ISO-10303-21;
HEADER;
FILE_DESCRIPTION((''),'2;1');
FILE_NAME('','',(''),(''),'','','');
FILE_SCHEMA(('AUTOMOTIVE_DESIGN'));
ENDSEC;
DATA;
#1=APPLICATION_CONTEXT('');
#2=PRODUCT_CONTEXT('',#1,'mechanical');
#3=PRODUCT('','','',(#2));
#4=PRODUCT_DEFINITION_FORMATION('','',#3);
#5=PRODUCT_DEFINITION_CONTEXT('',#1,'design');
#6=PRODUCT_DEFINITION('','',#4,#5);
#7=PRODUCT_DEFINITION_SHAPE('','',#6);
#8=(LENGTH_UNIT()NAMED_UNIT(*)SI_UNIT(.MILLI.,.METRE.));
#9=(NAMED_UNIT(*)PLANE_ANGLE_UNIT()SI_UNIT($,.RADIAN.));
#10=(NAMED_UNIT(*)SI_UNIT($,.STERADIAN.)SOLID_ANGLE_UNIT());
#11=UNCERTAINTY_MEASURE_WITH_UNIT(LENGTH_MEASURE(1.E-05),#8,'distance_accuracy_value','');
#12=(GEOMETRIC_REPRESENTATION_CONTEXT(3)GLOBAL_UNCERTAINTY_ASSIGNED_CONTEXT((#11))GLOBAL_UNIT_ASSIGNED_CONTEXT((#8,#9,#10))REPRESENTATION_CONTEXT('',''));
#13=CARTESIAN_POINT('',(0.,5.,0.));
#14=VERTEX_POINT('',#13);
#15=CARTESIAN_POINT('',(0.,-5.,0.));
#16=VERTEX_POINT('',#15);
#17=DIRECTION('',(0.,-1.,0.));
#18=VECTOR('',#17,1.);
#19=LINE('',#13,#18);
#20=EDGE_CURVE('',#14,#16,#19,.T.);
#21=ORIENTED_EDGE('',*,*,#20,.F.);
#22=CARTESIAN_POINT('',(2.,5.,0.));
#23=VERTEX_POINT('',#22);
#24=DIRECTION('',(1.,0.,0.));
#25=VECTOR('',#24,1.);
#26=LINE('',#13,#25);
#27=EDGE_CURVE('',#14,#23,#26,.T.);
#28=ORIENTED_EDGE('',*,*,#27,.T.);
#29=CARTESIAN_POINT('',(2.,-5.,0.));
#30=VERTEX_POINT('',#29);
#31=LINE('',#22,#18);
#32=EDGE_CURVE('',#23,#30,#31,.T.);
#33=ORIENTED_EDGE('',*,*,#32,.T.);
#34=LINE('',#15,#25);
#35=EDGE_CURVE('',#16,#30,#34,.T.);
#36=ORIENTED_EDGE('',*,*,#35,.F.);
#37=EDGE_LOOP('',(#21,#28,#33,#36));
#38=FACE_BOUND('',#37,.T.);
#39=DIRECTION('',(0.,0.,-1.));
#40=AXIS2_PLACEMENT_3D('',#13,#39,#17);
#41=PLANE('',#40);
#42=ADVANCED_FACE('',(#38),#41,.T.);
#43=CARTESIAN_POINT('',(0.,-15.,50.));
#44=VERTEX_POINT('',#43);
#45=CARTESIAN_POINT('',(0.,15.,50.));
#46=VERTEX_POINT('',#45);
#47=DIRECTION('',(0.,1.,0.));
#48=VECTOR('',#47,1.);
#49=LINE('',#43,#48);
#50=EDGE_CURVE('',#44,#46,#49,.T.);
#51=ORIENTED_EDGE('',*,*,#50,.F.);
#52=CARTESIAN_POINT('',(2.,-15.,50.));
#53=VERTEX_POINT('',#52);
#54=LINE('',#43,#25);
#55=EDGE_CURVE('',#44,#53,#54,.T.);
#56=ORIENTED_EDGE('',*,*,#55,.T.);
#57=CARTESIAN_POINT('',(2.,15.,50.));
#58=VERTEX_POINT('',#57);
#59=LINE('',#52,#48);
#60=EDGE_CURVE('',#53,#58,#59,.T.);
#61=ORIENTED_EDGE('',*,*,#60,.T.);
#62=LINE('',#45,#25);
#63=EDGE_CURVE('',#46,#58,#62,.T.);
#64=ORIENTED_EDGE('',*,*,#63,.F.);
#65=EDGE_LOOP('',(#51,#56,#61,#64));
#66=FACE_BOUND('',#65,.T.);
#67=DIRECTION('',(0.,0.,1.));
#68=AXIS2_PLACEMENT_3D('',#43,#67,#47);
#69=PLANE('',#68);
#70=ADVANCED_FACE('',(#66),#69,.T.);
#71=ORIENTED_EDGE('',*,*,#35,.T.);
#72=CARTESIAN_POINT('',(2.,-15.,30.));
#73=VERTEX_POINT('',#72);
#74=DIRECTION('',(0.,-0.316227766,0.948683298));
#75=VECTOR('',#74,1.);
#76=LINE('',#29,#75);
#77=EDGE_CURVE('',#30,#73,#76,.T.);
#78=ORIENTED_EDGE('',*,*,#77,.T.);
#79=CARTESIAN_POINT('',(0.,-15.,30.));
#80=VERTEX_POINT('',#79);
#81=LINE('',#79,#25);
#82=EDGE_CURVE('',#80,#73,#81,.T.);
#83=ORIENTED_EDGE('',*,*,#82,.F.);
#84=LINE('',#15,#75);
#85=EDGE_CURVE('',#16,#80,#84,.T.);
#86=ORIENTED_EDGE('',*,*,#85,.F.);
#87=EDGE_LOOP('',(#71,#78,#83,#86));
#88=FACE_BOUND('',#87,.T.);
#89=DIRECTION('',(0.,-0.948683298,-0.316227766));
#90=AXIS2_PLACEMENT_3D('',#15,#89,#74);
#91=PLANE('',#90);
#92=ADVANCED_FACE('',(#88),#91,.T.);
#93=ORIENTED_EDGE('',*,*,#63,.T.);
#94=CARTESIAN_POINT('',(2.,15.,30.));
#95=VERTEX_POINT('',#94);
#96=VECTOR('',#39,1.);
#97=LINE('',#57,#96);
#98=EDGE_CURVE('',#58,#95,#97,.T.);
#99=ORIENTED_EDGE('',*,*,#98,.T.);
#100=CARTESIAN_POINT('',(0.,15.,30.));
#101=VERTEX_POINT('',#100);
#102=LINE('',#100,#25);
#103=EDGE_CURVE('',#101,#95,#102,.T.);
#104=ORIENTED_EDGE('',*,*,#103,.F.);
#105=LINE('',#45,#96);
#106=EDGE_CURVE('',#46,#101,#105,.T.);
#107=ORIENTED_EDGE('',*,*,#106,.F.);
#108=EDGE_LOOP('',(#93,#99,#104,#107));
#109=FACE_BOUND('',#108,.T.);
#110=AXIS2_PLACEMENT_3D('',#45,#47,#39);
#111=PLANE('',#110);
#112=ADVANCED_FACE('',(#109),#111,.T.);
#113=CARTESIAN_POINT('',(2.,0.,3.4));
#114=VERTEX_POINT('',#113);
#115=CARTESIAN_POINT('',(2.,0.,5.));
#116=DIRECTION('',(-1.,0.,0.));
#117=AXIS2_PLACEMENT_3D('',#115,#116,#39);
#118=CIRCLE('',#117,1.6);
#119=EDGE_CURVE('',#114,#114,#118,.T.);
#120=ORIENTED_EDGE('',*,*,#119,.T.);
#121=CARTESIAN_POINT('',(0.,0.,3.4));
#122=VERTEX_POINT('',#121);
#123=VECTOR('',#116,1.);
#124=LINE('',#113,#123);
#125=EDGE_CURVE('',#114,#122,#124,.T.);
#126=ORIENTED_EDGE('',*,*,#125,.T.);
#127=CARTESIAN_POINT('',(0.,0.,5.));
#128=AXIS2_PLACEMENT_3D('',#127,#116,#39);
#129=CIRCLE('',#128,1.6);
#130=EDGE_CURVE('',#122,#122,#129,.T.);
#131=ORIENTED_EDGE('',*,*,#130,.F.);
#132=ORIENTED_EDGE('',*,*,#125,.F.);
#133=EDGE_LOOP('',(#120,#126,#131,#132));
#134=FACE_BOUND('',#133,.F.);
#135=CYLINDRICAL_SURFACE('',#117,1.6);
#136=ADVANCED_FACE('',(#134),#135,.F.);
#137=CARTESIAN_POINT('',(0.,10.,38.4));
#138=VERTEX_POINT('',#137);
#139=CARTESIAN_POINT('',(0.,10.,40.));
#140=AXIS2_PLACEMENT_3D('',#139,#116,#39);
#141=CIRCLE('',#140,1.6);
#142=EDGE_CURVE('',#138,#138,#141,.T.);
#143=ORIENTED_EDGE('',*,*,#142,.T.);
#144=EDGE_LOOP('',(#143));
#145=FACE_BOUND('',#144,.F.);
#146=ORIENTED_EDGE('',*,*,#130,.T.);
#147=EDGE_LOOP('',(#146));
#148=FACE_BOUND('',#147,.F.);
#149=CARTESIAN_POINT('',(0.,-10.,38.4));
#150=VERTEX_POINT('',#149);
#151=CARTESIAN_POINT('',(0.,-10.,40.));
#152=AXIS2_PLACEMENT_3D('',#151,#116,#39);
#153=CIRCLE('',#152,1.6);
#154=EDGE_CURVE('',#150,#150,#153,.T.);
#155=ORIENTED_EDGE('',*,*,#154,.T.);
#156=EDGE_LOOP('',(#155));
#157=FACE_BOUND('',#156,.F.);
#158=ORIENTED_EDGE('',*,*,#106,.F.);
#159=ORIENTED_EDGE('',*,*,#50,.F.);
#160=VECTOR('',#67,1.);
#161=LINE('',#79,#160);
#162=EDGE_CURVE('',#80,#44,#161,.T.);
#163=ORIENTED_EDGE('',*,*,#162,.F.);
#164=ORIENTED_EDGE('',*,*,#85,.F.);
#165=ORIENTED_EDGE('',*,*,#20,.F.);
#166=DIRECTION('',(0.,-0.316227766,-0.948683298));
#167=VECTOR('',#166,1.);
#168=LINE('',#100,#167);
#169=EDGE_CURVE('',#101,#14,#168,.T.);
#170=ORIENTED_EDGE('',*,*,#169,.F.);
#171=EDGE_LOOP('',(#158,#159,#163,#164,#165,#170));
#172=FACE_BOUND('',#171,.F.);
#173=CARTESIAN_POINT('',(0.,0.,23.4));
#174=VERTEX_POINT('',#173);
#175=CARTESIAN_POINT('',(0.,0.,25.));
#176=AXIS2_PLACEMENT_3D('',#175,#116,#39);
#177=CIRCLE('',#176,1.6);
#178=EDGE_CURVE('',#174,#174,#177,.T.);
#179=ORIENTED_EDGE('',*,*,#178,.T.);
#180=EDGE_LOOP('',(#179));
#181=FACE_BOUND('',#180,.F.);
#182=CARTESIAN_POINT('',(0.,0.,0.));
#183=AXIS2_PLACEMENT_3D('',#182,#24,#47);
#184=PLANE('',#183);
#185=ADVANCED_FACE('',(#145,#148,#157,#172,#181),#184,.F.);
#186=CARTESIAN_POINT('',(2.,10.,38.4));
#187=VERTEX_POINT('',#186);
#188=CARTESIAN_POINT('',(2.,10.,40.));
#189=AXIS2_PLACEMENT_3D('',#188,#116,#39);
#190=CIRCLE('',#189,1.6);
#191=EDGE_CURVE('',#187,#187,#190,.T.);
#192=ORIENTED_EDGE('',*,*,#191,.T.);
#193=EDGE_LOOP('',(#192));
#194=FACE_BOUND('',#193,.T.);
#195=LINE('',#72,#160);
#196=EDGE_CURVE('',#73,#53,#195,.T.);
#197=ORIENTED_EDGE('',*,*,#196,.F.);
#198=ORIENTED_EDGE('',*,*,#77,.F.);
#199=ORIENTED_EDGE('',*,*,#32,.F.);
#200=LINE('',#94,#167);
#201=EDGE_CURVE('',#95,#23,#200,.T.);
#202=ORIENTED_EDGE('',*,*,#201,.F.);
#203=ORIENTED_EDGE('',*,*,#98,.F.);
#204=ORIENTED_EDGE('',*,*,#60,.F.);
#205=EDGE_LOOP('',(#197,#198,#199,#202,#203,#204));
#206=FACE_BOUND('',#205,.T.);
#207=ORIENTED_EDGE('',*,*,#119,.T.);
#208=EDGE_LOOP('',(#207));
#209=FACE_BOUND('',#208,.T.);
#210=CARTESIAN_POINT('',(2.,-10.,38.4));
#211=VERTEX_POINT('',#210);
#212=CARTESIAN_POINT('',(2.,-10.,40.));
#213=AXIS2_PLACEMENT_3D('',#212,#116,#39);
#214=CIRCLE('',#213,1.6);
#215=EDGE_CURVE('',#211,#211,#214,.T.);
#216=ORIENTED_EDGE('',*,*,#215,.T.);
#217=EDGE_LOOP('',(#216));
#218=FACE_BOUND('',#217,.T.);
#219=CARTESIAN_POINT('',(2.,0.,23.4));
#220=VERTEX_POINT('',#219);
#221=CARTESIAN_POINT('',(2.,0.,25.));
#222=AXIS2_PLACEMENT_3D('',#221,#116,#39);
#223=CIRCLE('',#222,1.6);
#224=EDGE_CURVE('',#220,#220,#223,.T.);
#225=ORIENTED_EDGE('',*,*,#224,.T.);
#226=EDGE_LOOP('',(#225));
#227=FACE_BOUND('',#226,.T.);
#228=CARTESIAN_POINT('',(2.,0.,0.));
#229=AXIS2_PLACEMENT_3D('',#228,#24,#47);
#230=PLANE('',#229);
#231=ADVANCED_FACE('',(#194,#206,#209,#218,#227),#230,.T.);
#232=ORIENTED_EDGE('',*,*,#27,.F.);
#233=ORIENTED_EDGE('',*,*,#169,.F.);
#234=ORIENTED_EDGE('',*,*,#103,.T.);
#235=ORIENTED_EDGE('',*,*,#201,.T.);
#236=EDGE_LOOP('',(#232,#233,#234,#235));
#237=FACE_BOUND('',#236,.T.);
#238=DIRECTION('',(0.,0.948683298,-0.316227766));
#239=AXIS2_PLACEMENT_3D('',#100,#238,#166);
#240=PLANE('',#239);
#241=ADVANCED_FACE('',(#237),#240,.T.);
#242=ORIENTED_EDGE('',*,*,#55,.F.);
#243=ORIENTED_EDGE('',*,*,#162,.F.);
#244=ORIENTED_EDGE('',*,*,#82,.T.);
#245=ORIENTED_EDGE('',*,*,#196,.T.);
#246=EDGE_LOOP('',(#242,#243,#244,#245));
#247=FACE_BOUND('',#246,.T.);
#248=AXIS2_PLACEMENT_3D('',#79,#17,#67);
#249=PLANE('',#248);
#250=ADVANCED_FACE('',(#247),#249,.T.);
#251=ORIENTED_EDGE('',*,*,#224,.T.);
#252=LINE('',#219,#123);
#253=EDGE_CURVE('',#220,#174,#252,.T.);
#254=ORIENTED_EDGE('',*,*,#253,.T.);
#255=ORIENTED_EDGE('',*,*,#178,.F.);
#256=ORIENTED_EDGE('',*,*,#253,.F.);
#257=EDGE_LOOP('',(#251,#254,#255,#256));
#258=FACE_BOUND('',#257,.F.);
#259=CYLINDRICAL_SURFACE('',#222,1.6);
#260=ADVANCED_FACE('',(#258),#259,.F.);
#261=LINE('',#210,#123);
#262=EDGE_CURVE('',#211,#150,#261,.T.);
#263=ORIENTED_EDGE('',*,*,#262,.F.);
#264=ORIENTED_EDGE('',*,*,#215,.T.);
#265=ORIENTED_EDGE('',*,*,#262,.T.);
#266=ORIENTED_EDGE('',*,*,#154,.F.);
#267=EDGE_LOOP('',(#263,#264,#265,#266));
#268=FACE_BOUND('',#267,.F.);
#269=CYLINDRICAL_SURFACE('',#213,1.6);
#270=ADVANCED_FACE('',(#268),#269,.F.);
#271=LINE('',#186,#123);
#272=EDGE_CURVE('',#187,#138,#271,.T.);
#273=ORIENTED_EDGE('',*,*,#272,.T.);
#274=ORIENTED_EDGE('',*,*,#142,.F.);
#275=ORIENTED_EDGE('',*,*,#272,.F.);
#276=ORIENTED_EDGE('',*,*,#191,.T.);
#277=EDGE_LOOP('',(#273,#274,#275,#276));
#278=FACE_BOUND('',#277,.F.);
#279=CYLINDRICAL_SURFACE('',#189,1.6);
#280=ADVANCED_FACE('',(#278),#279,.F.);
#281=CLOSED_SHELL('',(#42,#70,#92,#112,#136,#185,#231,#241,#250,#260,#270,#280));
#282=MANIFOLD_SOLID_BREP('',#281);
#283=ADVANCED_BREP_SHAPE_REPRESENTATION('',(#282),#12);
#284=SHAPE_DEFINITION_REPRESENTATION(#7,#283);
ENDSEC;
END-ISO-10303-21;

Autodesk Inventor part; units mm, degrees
ref_plane "YZ Plane" through (0, 0, 0) normal (1, 0, 0) x (0, 1, 0)
ref_plane "XZ Plane" through (0, 0, 0) normal (0, 1, 0) x (-1, 0, 0)
ref_plane "XY Plane" through (0, 0, 0) normal (0, 0, 1) x (1, 0, 0)
sketch "スケッチ1" plane through (0, 0, 0) normal (1, 0, 0) x (0, 1, 0)
  line L0 (-5, 30) -> (5, 30)
  line L1 (5, 30) -> (5, 0)
  line L2 (5, 0) -> (-5, 0)
  line L3 (-5, 0) -> (-5, 30)
  line L4 (-15, 50) -> (15, 50)
  line L5 (15, 50) -> (15, 30)
  line L6 (15, 30) -> (-15, 30)
  line L7 (-15, 30) -> (-15, 50)
  line L8 (15, 30) -> (5, 0)
  line L9 (-5, 0) -> (-15, 30)
  point P0 (0, 0)
  point P1 (0, 0)
  point P2 (0, 30)
  dimension "d0" = 10
  dimension "d1" = 30
  dimension "d2" = 30
  dimension "d3" = 20
extrude "押し出し1" add sketch "スケッチ1" along normal blind 2
sketch "スケッチ2" plane through (2, 0, 0) normal (1, 0, 0) x (0, 0, -1)
  line L0 (0, -5) -> (0, 5) projected
  line L1 (-30, 15) -> (-50, 15) projected
  line L2 (-50, -15) -> (-30, -15) projected
  point P0 (0, 0)
  point P1 (-40, 10)
  point P2 (-40, -10)
  point P3 (-25, 0)
  point P4 (-5, 0)
  point P5 (0, 0)
  point P6 (-40, 15)
  dimension "d6" = 5
  dimension "d7" = 20
  dimension "d8" = 5
  dimension "d9" = 5
hole "穴1" at (2, 10, 40) at (2, -10, 40) at (2, 0, 25) at (2, 0, 5) direction (-1, 0, 0) diameter 3.2 end through all
properties part number "FrameJointT2010" material "アルミニウム 6061"
